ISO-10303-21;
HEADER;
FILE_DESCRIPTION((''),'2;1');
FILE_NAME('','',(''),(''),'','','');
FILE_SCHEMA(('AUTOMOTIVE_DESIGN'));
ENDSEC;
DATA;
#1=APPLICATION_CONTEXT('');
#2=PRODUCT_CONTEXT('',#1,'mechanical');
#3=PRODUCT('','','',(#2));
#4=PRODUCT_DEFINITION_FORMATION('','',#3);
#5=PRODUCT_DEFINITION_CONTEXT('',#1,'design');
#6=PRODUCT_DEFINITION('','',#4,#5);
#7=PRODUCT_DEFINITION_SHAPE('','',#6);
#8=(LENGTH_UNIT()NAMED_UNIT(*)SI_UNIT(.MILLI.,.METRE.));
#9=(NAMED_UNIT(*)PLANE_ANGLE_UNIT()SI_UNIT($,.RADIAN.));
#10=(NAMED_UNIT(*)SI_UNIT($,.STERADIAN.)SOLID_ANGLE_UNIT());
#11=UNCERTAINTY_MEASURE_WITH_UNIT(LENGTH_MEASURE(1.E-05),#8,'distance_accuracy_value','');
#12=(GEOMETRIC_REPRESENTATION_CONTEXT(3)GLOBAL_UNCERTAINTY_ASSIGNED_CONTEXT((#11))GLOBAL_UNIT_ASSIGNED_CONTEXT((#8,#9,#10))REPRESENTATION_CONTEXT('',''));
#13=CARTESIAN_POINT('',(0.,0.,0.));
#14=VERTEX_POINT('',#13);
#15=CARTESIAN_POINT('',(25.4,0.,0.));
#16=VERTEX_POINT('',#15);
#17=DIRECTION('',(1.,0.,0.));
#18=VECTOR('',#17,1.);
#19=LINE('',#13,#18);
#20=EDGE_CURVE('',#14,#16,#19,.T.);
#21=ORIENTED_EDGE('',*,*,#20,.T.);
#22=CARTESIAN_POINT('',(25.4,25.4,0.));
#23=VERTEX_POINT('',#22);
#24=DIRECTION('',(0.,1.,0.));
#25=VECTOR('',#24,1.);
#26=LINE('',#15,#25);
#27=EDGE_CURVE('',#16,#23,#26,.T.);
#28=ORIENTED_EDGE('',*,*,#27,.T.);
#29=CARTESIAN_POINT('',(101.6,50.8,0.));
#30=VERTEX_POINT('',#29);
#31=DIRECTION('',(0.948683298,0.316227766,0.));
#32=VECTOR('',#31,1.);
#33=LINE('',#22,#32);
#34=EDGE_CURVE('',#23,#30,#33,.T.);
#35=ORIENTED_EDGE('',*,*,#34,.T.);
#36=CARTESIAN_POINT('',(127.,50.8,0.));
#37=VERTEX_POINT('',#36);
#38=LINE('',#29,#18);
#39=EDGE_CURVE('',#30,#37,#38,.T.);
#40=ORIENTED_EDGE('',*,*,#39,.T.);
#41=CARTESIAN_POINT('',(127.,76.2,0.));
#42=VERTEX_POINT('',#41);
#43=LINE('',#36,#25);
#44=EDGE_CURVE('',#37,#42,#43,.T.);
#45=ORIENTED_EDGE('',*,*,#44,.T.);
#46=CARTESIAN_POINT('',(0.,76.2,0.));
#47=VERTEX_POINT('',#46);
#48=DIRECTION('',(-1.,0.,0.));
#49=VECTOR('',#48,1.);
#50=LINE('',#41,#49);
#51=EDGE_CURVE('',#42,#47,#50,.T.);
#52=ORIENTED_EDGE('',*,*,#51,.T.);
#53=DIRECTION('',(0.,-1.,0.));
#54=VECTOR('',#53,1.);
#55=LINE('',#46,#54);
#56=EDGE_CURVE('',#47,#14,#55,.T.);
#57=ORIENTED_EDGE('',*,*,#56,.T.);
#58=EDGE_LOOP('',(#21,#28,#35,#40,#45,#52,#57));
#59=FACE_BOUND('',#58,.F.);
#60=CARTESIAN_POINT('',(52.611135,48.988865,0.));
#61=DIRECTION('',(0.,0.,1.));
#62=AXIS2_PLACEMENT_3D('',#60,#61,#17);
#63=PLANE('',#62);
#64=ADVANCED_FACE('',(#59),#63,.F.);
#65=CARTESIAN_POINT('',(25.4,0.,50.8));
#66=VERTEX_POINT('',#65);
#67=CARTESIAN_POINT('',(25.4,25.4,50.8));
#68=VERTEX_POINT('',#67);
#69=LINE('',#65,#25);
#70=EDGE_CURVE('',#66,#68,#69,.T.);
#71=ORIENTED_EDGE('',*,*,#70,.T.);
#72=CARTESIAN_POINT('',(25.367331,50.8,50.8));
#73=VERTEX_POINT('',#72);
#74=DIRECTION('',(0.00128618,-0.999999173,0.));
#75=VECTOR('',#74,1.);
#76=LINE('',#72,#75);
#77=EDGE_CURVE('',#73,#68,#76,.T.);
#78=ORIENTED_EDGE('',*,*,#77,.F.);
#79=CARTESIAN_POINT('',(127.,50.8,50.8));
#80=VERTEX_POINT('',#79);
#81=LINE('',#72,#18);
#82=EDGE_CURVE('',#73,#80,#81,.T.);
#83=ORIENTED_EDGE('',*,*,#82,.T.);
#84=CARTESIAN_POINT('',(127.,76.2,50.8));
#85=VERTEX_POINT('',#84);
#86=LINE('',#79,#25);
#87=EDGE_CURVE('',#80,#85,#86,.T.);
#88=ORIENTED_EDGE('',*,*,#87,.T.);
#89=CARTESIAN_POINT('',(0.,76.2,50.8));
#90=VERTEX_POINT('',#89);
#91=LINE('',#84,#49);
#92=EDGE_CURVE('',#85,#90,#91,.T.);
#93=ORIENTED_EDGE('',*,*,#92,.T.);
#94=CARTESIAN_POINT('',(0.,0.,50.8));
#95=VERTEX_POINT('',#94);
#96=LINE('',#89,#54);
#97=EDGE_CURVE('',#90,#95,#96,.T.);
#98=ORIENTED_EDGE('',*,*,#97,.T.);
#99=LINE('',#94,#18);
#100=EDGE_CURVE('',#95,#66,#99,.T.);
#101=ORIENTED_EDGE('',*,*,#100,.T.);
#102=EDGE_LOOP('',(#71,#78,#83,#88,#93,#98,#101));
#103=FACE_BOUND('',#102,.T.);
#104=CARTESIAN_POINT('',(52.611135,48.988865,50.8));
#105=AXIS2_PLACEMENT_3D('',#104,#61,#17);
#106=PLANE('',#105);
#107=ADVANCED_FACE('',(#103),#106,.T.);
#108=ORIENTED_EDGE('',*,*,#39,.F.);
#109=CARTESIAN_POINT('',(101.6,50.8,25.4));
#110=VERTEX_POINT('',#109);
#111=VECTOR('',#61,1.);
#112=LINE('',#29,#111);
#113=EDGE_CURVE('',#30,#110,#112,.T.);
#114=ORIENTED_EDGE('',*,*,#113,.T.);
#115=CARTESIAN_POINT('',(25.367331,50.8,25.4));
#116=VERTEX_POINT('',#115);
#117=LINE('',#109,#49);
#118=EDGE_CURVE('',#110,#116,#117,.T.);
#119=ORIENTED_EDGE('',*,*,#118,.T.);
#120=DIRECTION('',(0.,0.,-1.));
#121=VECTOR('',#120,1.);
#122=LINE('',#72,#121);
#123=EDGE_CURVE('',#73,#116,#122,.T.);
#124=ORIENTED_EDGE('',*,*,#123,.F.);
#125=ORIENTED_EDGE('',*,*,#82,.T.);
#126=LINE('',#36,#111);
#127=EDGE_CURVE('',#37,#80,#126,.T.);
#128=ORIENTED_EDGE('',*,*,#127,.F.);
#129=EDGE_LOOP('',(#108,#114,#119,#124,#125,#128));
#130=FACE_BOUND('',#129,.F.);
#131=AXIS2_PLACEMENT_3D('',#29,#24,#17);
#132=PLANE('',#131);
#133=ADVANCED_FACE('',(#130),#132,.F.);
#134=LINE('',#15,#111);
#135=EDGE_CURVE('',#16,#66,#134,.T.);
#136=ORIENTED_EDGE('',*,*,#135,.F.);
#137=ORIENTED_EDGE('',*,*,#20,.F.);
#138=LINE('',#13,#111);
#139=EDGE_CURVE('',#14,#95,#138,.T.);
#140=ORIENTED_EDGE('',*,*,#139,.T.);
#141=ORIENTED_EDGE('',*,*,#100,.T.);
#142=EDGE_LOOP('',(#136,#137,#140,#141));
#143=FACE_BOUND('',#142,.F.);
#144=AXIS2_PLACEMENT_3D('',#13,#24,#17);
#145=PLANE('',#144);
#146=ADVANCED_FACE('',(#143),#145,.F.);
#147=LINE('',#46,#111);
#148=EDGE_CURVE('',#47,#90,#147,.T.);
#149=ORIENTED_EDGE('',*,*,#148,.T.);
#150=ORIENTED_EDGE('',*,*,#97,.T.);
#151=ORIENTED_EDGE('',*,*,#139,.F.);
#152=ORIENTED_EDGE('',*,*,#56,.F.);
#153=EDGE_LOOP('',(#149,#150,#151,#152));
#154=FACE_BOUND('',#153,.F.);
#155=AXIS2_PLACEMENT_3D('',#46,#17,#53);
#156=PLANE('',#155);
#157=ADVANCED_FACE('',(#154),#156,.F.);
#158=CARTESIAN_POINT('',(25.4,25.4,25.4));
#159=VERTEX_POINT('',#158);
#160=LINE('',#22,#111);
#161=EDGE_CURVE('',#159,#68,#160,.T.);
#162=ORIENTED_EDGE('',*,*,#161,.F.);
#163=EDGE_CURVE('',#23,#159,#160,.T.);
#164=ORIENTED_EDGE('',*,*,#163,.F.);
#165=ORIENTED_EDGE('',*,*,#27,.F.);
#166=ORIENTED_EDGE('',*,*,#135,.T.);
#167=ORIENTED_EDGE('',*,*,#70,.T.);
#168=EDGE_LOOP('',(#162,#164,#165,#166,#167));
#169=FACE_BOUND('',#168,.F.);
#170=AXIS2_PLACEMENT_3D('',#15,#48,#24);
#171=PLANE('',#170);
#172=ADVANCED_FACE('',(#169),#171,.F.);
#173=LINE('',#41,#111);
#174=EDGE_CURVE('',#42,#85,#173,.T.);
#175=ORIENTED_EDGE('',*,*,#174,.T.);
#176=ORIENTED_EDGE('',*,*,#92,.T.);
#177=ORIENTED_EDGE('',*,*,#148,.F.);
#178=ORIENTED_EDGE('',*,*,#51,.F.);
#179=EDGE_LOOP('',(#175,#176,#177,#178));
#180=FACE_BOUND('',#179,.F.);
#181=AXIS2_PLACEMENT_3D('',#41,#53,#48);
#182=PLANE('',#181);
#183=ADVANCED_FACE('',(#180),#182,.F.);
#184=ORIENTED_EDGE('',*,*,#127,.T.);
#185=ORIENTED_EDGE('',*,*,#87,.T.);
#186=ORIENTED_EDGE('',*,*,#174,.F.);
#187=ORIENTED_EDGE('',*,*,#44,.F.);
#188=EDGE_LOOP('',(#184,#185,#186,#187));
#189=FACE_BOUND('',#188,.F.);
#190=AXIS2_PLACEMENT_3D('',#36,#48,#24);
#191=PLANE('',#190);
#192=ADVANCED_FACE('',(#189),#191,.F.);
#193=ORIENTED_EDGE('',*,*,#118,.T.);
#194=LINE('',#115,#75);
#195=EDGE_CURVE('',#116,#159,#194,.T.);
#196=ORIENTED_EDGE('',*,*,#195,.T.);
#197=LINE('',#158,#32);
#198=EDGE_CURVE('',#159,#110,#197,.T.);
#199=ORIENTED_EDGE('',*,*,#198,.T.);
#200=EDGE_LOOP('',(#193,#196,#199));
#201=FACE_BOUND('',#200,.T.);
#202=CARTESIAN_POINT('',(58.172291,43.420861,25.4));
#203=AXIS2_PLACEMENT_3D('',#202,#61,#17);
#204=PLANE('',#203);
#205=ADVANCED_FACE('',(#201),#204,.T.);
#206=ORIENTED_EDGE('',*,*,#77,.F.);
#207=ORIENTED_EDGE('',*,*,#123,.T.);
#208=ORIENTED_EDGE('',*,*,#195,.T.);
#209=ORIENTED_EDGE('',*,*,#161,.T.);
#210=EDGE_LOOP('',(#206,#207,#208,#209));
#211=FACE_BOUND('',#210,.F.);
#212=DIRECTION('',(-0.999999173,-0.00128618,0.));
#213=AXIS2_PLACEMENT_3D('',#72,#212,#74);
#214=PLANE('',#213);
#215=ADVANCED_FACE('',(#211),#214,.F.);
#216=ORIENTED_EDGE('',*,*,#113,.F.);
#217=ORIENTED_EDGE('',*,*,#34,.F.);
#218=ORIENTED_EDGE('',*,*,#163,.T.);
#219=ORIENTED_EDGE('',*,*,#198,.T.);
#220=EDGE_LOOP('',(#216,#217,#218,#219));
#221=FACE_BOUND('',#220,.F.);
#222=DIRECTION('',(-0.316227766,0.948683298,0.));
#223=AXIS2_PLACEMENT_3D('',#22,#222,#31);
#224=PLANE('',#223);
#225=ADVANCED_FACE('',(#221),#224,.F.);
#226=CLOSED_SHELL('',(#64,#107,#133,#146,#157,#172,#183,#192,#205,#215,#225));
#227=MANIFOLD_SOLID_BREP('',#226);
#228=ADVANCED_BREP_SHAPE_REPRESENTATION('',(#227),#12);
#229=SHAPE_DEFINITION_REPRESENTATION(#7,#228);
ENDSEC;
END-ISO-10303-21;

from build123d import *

# Parameters (mm, degrees)
F1_DEPTH = 50.8
F3_DEPTH = 25.4


with BuildPart() as f1:
    # F0 (on Top) → F1 (new body)
    with BuildSketch(Plane.XY):
        Polygon((0, 76.2), (0, 0), (25.4, 0), (25.4, 25.4), (101.6, 50.8), (127, 50.8), (127, 76.2), align=None)
    extrude(amount=F1_DEPTH)

    # F2 (on face) → F3 (cut)
    with BuildSketch(Plane.XY.offset(50.8)):
        Polygon((25.4, 25.4), (101.6, 50.8), (25.367331, 50.8), align=None)
    extrude(amount=-F3_DEPTH, mode=Mode.SUBTRACT)


solid = f1.part
